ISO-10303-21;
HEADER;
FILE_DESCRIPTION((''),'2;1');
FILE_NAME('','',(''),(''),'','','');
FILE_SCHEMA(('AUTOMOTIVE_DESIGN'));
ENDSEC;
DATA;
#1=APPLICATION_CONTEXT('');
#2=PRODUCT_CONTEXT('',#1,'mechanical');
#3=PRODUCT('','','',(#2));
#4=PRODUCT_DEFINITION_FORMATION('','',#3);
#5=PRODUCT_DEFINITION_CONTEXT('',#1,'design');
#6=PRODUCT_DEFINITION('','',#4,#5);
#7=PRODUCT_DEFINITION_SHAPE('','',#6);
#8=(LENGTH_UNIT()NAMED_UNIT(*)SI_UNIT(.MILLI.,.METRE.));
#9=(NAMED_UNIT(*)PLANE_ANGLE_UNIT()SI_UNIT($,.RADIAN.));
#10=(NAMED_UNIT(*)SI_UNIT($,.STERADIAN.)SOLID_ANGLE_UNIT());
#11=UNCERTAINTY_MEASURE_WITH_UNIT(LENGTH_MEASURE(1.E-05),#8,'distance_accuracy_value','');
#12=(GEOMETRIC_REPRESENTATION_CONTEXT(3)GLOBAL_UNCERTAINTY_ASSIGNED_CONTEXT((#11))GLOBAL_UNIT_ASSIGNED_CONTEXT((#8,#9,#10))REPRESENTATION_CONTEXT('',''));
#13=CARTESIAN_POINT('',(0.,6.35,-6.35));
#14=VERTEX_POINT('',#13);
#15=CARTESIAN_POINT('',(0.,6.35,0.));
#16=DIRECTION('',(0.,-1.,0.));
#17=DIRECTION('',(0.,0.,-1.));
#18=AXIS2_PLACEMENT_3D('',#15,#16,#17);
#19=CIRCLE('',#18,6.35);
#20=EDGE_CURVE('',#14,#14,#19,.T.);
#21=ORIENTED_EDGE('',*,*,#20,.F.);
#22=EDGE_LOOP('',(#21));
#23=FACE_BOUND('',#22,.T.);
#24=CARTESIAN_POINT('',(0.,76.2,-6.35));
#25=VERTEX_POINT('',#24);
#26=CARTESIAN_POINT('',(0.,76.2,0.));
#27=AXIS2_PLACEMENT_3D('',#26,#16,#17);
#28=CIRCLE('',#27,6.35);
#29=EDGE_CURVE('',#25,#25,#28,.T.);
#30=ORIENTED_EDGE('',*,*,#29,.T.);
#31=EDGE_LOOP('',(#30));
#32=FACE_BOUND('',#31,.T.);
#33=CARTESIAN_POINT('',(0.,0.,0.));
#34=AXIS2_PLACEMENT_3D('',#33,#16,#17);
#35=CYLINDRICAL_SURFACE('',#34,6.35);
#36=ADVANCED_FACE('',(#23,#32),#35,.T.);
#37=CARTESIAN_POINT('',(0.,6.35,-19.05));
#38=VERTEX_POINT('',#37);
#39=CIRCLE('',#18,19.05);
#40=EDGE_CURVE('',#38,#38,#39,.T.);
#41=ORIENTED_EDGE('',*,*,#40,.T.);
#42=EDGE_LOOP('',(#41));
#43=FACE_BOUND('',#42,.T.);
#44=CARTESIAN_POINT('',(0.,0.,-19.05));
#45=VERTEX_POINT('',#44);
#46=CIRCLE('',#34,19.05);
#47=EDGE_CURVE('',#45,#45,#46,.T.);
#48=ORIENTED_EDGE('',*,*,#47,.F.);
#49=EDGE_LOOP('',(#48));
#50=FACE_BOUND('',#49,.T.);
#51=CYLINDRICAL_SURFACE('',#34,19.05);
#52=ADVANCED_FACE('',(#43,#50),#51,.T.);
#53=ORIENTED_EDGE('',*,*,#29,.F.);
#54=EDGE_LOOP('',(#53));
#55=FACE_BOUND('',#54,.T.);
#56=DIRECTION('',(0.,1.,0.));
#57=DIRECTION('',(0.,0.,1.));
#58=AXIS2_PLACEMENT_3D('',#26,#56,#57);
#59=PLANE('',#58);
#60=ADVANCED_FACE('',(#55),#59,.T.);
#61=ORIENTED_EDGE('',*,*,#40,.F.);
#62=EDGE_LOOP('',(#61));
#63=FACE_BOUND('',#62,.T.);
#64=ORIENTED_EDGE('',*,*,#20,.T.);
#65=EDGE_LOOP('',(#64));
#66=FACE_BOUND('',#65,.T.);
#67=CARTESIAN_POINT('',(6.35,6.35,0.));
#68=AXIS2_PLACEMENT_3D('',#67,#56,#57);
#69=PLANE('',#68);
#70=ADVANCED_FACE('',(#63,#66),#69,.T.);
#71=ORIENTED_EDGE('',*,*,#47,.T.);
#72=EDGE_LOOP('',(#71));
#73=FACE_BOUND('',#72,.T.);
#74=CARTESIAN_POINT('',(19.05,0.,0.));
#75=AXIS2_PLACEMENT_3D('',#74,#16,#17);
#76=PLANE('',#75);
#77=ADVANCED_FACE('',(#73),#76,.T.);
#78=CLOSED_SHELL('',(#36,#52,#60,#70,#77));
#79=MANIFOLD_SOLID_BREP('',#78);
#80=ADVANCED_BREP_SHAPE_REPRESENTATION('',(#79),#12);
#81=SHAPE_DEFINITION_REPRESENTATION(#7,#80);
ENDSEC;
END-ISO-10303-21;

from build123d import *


with BuildPart() as part:
    # Sketch1 → Revolve1 (revolve)
    with BuildSketch(Plane.XY, mode=Mode.PRIVATE) as revolve1_sk:
        Polygon((0, 0), (0, 76.2), (6.35, 76.2), (6.35, 6.35), (19.05, 6.35), (19.05, 0), align=None)
    revolve(revolve1_sk.sketch.rotate(Axis((0, 0, 0), (0, 1, 0)), 90), axis=Axis((0, 0, 0), (0, 1, 0)))


solid = part.part
